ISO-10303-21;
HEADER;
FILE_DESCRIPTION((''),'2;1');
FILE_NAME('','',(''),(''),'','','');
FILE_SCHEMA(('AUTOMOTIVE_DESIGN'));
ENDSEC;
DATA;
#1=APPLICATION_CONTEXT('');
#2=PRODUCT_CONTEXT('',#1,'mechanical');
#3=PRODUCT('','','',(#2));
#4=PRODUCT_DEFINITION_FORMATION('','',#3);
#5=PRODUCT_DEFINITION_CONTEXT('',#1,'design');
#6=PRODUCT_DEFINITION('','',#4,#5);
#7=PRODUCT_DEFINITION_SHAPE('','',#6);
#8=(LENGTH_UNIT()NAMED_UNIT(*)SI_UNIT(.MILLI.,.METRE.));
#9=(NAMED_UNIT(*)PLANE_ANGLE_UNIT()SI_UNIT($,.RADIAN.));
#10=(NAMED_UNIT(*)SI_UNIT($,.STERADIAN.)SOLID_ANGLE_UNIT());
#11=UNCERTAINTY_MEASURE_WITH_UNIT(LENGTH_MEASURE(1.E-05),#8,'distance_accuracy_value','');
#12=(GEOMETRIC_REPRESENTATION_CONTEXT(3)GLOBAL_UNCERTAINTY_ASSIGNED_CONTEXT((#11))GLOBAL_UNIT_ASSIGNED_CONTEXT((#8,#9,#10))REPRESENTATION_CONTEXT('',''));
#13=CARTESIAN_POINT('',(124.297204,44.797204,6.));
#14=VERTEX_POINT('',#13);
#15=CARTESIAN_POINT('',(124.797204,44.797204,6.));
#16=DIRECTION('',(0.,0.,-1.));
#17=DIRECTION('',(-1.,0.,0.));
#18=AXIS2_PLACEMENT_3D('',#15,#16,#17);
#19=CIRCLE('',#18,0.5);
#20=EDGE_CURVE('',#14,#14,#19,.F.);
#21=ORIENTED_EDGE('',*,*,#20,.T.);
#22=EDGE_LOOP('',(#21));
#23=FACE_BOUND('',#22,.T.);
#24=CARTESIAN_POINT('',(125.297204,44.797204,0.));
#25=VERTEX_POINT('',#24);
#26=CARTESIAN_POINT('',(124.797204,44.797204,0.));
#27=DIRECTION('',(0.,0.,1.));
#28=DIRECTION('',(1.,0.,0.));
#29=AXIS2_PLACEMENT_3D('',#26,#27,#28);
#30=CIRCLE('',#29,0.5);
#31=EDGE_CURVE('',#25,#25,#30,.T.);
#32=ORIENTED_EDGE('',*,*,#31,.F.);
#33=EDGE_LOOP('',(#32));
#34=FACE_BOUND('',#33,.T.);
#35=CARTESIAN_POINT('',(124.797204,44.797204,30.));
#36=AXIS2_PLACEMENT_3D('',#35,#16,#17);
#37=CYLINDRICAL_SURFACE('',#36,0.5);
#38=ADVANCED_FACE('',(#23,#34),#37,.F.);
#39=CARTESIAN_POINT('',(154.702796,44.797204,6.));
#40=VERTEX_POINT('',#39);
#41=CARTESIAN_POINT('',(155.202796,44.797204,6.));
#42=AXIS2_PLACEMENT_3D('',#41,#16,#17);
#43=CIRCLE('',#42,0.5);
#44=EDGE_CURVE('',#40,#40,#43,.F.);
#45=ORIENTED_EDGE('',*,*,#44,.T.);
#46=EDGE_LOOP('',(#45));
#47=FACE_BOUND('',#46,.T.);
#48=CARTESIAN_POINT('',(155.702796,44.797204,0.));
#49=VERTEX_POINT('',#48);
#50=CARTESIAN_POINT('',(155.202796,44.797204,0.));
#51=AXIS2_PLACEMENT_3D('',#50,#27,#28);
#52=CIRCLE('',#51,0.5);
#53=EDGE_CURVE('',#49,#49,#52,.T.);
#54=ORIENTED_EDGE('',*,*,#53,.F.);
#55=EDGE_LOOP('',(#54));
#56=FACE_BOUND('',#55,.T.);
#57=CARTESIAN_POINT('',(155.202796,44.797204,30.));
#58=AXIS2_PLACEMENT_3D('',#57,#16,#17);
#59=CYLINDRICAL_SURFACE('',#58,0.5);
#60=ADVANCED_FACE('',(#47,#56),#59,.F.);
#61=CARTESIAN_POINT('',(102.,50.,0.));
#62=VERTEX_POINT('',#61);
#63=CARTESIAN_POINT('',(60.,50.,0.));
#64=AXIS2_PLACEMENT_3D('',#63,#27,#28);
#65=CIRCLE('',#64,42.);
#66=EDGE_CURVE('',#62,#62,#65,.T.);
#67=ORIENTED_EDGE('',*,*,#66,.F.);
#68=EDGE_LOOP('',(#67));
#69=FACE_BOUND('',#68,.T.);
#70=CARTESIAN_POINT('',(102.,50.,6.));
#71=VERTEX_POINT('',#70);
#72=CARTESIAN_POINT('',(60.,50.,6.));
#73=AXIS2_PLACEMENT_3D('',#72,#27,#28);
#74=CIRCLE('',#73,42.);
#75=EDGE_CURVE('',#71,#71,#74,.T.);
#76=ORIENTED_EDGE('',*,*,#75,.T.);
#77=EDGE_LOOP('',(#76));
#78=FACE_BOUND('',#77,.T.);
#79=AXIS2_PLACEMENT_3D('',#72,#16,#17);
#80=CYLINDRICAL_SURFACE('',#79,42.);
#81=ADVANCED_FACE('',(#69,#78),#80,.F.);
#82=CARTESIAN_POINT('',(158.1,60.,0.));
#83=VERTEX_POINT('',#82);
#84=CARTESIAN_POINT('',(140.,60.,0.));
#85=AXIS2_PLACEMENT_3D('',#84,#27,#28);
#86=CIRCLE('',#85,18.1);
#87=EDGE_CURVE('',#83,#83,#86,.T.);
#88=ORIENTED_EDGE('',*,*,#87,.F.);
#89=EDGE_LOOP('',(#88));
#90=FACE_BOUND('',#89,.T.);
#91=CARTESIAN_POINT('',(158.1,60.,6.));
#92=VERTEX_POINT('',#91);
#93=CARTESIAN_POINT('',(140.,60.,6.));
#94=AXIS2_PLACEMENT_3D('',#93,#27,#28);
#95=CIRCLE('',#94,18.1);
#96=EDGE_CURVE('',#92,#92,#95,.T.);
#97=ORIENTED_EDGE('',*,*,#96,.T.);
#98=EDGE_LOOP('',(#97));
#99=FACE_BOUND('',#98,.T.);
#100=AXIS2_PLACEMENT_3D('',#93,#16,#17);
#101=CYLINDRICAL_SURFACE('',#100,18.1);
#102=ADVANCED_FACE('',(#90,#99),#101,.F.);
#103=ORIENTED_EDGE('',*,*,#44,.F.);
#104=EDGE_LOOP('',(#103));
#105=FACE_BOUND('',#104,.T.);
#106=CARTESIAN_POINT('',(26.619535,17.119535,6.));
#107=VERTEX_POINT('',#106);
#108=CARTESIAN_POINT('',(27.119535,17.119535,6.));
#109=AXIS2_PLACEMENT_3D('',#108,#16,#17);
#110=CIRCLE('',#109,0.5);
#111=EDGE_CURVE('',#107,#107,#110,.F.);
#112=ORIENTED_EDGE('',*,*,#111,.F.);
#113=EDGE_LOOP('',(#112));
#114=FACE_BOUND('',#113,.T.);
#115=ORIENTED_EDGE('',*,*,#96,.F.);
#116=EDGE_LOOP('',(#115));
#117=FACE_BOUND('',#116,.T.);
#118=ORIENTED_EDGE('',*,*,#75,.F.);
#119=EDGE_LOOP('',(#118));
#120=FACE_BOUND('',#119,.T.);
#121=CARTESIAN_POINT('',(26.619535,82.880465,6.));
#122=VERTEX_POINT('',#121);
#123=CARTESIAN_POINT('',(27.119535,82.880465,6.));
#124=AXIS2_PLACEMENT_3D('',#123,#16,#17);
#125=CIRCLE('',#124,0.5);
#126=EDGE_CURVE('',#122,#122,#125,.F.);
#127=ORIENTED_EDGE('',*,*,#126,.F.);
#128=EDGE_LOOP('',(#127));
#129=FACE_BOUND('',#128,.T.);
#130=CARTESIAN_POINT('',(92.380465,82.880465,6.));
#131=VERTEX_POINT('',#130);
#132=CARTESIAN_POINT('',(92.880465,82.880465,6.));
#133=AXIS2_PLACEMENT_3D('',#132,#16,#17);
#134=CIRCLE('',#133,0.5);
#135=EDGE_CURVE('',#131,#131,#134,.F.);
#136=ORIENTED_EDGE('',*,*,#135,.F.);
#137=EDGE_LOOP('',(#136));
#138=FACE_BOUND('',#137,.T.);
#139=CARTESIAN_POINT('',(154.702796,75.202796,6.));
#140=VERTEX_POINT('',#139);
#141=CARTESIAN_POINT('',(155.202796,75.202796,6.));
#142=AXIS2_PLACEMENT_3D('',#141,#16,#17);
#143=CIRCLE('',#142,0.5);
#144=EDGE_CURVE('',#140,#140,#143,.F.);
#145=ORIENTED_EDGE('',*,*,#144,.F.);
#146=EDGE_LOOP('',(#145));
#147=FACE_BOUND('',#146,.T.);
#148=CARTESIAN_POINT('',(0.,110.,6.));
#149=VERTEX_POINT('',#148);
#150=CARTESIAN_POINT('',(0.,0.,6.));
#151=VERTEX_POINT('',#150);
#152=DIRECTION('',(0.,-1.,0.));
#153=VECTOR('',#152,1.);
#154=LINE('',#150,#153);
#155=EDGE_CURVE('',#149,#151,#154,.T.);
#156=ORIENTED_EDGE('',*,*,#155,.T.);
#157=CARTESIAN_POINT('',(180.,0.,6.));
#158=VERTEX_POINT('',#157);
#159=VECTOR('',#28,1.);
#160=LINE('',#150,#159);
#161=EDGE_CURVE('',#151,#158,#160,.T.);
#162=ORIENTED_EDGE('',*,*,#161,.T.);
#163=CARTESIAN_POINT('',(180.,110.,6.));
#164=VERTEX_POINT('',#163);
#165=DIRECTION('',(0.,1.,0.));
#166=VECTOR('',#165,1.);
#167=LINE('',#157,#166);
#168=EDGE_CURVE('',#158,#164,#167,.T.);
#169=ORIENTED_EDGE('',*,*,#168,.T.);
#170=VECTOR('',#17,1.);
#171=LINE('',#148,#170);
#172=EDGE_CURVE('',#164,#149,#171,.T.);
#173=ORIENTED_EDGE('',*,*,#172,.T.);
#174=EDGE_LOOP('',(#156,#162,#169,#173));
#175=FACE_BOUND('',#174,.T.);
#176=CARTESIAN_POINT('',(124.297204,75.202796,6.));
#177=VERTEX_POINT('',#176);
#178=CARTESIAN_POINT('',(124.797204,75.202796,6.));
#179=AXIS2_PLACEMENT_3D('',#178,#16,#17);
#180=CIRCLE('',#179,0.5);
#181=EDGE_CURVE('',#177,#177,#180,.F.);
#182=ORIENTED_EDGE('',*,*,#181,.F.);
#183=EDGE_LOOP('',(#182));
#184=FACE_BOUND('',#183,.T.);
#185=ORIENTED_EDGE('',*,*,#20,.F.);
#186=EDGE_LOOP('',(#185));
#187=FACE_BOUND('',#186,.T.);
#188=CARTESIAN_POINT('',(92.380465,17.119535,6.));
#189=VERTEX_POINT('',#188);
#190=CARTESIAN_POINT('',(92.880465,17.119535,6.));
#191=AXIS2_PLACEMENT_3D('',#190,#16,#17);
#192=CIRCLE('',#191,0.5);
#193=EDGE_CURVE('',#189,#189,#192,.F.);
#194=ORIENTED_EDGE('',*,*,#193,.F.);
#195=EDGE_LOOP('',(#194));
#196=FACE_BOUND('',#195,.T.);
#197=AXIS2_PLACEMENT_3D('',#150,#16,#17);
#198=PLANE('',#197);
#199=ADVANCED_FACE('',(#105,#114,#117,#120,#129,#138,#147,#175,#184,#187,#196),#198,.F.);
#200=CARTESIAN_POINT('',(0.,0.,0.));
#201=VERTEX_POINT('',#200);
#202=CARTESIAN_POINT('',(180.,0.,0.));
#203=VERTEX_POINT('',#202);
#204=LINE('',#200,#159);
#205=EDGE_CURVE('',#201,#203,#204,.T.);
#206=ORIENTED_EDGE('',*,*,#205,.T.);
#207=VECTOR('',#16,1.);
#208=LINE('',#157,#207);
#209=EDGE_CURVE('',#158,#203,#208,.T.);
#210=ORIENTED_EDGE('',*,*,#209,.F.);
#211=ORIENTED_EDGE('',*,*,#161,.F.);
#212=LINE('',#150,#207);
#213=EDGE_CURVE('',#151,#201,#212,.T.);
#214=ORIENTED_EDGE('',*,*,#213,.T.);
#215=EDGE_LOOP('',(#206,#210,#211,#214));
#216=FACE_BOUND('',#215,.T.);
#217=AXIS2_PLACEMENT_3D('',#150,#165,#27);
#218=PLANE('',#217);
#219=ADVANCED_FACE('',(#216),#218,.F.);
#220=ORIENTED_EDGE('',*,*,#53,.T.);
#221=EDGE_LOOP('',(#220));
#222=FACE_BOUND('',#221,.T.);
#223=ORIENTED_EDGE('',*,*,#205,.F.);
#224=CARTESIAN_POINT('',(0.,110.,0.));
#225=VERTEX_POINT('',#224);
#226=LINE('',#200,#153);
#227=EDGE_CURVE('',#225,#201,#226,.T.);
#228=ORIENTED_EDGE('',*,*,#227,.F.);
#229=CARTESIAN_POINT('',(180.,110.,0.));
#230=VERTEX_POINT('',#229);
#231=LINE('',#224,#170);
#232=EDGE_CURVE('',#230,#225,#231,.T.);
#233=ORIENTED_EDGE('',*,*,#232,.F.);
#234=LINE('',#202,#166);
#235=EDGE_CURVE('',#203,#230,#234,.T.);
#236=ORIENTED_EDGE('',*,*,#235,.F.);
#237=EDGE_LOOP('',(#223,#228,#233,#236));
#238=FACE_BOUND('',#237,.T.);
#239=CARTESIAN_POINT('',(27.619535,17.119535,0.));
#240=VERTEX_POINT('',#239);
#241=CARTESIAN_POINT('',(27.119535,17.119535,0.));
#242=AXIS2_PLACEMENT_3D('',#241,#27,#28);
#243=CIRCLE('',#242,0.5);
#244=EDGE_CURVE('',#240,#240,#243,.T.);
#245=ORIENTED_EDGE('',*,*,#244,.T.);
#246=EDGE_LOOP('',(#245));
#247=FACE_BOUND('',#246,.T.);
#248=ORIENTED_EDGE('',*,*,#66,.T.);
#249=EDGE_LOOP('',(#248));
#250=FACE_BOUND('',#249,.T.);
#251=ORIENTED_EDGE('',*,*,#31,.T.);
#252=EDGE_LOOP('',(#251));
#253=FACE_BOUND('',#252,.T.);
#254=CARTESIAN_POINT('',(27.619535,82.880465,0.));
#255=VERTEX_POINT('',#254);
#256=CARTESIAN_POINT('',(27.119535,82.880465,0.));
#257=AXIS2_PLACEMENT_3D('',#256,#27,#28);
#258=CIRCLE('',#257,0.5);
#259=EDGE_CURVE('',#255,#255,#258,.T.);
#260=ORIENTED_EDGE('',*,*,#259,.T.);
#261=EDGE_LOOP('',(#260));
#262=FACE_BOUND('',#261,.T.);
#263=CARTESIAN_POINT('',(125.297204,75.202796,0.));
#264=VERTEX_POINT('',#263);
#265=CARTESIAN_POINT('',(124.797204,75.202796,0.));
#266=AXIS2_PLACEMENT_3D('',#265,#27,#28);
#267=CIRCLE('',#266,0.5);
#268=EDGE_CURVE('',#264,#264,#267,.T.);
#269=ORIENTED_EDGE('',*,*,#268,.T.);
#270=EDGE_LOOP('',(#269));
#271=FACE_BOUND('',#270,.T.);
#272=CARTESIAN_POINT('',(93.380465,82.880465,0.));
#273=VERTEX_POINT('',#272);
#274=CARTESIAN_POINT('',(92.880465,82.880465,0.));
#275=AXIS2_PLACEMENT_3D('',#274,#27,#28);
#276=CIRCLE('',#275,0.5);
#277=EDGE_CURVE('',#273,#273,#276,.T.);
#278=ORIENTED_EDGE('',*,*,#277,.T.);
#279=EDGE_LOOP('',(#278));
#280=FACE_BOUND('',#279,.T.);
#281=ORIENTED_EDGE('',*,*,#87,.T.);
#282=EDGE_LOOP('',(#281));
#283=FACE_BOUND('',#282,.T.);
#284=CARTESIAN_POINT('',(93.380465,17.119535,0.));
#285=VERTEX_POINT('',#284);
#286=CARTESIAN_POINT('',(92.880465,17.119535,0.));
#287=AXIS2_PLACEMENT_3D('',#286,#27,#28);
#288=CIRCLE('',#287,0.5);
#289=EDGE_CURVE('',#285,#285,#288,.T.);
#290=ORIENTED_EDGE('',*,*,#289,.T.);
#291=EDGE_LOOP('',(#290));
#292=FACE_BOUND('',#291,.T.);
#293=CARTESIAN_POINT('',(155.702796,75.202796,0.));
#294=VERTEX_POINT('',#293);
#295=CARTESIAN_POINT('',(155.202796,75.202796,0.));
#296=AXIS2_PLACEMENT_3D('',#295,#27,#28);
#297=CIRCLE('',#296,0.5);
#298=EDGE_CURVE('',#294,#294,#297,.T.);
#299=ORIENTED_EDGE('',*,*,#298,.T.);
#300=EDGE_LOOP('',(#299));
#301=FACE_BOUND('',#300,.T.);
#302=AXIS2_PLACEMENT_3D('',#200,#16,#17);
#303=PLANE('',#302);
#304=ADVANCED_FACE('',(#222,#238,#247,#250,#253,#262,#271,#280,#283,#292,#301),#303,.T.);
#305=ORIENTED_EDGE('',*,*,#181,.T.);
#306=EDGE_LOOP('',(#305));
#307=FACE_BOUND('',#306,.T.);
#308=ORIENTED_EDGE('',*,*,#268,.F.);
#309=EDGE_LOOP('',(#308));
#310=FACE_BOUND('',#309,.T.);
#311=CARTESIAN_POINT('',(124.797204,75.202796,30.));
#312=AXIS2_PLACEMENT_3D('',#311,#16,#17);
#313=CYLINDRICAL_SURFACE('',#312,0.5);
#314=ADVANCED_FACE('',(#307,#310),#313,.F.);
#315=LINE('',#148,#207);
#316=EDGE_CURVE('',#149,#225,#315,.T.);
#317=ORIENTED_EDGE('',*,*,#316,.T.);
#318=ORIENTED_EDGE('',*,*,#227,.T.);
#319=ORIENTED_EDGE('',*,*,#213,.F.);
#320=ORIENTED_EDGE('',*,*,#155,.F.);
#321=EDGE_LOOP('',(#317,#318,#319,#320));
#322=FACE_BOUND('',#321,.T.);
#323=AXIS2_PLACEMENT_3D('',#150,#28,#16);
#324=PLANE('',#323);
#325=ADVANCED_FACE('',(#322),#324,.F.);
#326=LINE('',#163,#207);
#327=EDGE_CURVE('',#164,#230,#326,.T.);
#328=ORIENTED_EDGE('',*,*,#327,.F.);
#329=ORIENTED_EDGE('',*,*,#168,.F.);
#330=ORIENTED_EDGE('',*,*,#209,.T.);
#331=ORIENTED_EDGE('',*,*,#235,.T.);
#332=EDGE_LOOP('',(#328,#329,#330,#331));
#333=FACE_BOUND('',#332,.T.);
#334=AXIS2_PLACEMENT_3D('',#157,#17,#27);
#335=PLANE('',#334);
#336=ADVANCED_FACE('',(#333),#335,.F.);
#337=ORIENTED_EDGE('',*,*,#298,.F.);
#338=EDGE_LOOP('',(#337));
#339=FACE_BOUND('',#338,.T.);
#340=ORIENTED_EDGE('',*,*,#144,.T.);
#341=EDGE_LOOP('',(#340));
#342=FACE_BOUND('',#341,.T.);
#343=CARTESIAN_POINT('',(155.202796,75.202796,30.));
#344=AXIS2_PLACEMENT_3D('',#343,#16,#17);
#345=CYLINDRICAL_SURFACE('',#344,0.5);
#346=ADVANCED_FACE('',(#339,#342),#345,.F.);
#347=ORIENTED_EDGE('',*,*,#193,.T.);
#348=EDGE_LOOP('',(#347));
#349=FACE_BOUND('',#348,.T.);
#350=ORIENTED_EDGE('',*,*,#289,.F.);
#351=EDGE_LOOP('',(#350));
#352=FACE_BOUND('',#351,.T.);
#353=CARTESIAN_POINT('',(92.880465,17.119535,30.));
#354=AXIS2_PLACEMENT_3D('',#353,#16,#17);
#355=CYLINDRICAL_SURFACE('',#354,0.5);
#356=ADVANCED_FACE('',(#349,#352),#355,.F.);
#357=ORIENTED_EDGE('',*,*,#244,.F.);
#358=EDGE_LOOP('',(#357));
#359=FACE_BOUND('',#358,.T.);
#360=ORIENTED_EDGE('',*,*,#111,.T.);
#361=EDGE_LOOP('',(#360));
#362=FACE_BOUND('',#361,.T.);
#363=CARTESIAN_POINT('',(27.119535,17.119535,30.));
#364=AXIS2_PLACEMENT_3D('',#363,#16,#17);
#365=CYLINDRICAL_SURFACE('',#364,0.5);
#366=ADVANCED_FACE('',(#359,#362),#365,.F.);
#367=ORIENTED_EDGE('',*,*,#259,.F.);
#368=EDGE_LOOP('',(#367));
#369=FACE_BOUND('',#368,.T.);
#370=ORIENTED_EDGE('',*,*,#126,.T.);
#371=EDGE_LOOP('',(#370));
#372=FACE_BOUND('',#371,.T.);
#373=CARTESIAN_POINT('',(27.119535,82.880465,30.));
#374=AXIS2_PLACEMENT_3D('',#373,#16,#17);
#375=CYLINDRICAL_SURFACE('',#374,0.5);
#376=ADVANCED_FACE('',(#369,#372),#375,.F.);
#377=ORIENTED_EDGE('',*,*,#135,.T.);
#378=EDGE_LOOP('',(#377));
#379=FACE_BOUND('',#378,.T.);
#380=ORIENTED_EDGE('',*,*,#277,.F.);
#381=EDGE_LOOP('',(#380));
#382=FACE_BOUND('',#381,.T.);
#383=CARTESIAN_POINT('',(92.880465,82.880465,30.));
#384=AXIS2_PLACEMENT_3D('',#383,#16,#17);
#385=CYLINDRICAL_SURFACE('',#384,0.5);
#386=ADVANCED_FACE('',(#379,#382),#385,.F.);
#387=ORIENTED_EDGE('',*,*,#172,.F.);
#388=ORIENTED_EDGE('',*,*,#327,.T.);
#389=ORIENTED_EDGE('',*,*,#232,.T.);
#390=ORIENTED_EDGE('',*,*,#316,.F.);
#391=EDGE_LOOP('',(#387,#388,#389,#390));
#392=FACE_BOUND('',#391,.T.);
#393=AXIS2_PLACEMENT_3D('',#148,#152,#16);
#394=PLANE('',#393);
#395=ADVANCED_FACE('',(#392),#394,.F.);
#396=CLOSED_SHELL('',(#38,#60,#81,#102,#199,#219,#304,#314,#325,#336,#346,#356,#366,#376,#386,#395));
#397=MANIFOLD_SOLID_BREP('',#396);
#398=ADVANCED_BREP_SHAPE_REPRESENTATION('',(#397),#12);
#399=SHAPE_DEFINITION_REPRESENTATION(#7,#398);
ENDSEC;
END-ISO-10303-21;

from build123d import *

# Parameters (mm, degrees)
SKETCH1_W           = 180
SKETCH1_H           = 110
SKETCH1_R           = 42
SKETCH1_R_2         = 18.1
BOSS_EXTRUDE1_DEPTH = 6
SKETCH3_R           = 0.5
CUT_EXTRUDE1_DEPTH  = 30


with BuildPart() as part:
    # Sketch1 → Boss-Extrude1 (new body)
    with BuildSketch(Plane.XY):
        with Locations((90, 55)):
            Rectangle(SKETCH1_W, SKETCH1_H)
        with Locations((60, 50)):
            Circle(SKETCH1_R, mode=Mode.SUBTRACT)
        with Locations((140, 60)):
            Circle(SKETCH1_R_2, mode=Mode.SUBTRACT)
    extrude(amount=BOSS_EXTRUDE1_DEPTH)

    # Sketch3 → Cut-Extrude1 (cut)
    with BuildSketch(Plane.XY):
        with Locations((92.880465325, 82.880465325)):
            Circle(SKETCH3_R)
        with Locations((27.119534675, 82.880465325)):
            Circle(SKETCH3_R)
        with Locations((27.119534675, 17.119534675)):
            Circle(SKETCH3_R)
        with Locations((92.880465325, 17.119534675)):
            Circle(SKETCH3_R)
        with Locations((155.202795796, 75.202795796)):
            Circle(SKETCH3_R)
        with Locations((124.797204204, 75.202795796)):
            Circle(SKETCH3_R)
        with Locations((124.797204204, 44.797204204)):
            Circle(SKETCH3_R)
        with Locations((155.202795796, 44.797204204)):
            Circle(SKETCH3_R)
    extrude(amount=CUT_EXTRUDE1_DEPTH, mode=Mode.SUBTRACT)


solid = part.part
